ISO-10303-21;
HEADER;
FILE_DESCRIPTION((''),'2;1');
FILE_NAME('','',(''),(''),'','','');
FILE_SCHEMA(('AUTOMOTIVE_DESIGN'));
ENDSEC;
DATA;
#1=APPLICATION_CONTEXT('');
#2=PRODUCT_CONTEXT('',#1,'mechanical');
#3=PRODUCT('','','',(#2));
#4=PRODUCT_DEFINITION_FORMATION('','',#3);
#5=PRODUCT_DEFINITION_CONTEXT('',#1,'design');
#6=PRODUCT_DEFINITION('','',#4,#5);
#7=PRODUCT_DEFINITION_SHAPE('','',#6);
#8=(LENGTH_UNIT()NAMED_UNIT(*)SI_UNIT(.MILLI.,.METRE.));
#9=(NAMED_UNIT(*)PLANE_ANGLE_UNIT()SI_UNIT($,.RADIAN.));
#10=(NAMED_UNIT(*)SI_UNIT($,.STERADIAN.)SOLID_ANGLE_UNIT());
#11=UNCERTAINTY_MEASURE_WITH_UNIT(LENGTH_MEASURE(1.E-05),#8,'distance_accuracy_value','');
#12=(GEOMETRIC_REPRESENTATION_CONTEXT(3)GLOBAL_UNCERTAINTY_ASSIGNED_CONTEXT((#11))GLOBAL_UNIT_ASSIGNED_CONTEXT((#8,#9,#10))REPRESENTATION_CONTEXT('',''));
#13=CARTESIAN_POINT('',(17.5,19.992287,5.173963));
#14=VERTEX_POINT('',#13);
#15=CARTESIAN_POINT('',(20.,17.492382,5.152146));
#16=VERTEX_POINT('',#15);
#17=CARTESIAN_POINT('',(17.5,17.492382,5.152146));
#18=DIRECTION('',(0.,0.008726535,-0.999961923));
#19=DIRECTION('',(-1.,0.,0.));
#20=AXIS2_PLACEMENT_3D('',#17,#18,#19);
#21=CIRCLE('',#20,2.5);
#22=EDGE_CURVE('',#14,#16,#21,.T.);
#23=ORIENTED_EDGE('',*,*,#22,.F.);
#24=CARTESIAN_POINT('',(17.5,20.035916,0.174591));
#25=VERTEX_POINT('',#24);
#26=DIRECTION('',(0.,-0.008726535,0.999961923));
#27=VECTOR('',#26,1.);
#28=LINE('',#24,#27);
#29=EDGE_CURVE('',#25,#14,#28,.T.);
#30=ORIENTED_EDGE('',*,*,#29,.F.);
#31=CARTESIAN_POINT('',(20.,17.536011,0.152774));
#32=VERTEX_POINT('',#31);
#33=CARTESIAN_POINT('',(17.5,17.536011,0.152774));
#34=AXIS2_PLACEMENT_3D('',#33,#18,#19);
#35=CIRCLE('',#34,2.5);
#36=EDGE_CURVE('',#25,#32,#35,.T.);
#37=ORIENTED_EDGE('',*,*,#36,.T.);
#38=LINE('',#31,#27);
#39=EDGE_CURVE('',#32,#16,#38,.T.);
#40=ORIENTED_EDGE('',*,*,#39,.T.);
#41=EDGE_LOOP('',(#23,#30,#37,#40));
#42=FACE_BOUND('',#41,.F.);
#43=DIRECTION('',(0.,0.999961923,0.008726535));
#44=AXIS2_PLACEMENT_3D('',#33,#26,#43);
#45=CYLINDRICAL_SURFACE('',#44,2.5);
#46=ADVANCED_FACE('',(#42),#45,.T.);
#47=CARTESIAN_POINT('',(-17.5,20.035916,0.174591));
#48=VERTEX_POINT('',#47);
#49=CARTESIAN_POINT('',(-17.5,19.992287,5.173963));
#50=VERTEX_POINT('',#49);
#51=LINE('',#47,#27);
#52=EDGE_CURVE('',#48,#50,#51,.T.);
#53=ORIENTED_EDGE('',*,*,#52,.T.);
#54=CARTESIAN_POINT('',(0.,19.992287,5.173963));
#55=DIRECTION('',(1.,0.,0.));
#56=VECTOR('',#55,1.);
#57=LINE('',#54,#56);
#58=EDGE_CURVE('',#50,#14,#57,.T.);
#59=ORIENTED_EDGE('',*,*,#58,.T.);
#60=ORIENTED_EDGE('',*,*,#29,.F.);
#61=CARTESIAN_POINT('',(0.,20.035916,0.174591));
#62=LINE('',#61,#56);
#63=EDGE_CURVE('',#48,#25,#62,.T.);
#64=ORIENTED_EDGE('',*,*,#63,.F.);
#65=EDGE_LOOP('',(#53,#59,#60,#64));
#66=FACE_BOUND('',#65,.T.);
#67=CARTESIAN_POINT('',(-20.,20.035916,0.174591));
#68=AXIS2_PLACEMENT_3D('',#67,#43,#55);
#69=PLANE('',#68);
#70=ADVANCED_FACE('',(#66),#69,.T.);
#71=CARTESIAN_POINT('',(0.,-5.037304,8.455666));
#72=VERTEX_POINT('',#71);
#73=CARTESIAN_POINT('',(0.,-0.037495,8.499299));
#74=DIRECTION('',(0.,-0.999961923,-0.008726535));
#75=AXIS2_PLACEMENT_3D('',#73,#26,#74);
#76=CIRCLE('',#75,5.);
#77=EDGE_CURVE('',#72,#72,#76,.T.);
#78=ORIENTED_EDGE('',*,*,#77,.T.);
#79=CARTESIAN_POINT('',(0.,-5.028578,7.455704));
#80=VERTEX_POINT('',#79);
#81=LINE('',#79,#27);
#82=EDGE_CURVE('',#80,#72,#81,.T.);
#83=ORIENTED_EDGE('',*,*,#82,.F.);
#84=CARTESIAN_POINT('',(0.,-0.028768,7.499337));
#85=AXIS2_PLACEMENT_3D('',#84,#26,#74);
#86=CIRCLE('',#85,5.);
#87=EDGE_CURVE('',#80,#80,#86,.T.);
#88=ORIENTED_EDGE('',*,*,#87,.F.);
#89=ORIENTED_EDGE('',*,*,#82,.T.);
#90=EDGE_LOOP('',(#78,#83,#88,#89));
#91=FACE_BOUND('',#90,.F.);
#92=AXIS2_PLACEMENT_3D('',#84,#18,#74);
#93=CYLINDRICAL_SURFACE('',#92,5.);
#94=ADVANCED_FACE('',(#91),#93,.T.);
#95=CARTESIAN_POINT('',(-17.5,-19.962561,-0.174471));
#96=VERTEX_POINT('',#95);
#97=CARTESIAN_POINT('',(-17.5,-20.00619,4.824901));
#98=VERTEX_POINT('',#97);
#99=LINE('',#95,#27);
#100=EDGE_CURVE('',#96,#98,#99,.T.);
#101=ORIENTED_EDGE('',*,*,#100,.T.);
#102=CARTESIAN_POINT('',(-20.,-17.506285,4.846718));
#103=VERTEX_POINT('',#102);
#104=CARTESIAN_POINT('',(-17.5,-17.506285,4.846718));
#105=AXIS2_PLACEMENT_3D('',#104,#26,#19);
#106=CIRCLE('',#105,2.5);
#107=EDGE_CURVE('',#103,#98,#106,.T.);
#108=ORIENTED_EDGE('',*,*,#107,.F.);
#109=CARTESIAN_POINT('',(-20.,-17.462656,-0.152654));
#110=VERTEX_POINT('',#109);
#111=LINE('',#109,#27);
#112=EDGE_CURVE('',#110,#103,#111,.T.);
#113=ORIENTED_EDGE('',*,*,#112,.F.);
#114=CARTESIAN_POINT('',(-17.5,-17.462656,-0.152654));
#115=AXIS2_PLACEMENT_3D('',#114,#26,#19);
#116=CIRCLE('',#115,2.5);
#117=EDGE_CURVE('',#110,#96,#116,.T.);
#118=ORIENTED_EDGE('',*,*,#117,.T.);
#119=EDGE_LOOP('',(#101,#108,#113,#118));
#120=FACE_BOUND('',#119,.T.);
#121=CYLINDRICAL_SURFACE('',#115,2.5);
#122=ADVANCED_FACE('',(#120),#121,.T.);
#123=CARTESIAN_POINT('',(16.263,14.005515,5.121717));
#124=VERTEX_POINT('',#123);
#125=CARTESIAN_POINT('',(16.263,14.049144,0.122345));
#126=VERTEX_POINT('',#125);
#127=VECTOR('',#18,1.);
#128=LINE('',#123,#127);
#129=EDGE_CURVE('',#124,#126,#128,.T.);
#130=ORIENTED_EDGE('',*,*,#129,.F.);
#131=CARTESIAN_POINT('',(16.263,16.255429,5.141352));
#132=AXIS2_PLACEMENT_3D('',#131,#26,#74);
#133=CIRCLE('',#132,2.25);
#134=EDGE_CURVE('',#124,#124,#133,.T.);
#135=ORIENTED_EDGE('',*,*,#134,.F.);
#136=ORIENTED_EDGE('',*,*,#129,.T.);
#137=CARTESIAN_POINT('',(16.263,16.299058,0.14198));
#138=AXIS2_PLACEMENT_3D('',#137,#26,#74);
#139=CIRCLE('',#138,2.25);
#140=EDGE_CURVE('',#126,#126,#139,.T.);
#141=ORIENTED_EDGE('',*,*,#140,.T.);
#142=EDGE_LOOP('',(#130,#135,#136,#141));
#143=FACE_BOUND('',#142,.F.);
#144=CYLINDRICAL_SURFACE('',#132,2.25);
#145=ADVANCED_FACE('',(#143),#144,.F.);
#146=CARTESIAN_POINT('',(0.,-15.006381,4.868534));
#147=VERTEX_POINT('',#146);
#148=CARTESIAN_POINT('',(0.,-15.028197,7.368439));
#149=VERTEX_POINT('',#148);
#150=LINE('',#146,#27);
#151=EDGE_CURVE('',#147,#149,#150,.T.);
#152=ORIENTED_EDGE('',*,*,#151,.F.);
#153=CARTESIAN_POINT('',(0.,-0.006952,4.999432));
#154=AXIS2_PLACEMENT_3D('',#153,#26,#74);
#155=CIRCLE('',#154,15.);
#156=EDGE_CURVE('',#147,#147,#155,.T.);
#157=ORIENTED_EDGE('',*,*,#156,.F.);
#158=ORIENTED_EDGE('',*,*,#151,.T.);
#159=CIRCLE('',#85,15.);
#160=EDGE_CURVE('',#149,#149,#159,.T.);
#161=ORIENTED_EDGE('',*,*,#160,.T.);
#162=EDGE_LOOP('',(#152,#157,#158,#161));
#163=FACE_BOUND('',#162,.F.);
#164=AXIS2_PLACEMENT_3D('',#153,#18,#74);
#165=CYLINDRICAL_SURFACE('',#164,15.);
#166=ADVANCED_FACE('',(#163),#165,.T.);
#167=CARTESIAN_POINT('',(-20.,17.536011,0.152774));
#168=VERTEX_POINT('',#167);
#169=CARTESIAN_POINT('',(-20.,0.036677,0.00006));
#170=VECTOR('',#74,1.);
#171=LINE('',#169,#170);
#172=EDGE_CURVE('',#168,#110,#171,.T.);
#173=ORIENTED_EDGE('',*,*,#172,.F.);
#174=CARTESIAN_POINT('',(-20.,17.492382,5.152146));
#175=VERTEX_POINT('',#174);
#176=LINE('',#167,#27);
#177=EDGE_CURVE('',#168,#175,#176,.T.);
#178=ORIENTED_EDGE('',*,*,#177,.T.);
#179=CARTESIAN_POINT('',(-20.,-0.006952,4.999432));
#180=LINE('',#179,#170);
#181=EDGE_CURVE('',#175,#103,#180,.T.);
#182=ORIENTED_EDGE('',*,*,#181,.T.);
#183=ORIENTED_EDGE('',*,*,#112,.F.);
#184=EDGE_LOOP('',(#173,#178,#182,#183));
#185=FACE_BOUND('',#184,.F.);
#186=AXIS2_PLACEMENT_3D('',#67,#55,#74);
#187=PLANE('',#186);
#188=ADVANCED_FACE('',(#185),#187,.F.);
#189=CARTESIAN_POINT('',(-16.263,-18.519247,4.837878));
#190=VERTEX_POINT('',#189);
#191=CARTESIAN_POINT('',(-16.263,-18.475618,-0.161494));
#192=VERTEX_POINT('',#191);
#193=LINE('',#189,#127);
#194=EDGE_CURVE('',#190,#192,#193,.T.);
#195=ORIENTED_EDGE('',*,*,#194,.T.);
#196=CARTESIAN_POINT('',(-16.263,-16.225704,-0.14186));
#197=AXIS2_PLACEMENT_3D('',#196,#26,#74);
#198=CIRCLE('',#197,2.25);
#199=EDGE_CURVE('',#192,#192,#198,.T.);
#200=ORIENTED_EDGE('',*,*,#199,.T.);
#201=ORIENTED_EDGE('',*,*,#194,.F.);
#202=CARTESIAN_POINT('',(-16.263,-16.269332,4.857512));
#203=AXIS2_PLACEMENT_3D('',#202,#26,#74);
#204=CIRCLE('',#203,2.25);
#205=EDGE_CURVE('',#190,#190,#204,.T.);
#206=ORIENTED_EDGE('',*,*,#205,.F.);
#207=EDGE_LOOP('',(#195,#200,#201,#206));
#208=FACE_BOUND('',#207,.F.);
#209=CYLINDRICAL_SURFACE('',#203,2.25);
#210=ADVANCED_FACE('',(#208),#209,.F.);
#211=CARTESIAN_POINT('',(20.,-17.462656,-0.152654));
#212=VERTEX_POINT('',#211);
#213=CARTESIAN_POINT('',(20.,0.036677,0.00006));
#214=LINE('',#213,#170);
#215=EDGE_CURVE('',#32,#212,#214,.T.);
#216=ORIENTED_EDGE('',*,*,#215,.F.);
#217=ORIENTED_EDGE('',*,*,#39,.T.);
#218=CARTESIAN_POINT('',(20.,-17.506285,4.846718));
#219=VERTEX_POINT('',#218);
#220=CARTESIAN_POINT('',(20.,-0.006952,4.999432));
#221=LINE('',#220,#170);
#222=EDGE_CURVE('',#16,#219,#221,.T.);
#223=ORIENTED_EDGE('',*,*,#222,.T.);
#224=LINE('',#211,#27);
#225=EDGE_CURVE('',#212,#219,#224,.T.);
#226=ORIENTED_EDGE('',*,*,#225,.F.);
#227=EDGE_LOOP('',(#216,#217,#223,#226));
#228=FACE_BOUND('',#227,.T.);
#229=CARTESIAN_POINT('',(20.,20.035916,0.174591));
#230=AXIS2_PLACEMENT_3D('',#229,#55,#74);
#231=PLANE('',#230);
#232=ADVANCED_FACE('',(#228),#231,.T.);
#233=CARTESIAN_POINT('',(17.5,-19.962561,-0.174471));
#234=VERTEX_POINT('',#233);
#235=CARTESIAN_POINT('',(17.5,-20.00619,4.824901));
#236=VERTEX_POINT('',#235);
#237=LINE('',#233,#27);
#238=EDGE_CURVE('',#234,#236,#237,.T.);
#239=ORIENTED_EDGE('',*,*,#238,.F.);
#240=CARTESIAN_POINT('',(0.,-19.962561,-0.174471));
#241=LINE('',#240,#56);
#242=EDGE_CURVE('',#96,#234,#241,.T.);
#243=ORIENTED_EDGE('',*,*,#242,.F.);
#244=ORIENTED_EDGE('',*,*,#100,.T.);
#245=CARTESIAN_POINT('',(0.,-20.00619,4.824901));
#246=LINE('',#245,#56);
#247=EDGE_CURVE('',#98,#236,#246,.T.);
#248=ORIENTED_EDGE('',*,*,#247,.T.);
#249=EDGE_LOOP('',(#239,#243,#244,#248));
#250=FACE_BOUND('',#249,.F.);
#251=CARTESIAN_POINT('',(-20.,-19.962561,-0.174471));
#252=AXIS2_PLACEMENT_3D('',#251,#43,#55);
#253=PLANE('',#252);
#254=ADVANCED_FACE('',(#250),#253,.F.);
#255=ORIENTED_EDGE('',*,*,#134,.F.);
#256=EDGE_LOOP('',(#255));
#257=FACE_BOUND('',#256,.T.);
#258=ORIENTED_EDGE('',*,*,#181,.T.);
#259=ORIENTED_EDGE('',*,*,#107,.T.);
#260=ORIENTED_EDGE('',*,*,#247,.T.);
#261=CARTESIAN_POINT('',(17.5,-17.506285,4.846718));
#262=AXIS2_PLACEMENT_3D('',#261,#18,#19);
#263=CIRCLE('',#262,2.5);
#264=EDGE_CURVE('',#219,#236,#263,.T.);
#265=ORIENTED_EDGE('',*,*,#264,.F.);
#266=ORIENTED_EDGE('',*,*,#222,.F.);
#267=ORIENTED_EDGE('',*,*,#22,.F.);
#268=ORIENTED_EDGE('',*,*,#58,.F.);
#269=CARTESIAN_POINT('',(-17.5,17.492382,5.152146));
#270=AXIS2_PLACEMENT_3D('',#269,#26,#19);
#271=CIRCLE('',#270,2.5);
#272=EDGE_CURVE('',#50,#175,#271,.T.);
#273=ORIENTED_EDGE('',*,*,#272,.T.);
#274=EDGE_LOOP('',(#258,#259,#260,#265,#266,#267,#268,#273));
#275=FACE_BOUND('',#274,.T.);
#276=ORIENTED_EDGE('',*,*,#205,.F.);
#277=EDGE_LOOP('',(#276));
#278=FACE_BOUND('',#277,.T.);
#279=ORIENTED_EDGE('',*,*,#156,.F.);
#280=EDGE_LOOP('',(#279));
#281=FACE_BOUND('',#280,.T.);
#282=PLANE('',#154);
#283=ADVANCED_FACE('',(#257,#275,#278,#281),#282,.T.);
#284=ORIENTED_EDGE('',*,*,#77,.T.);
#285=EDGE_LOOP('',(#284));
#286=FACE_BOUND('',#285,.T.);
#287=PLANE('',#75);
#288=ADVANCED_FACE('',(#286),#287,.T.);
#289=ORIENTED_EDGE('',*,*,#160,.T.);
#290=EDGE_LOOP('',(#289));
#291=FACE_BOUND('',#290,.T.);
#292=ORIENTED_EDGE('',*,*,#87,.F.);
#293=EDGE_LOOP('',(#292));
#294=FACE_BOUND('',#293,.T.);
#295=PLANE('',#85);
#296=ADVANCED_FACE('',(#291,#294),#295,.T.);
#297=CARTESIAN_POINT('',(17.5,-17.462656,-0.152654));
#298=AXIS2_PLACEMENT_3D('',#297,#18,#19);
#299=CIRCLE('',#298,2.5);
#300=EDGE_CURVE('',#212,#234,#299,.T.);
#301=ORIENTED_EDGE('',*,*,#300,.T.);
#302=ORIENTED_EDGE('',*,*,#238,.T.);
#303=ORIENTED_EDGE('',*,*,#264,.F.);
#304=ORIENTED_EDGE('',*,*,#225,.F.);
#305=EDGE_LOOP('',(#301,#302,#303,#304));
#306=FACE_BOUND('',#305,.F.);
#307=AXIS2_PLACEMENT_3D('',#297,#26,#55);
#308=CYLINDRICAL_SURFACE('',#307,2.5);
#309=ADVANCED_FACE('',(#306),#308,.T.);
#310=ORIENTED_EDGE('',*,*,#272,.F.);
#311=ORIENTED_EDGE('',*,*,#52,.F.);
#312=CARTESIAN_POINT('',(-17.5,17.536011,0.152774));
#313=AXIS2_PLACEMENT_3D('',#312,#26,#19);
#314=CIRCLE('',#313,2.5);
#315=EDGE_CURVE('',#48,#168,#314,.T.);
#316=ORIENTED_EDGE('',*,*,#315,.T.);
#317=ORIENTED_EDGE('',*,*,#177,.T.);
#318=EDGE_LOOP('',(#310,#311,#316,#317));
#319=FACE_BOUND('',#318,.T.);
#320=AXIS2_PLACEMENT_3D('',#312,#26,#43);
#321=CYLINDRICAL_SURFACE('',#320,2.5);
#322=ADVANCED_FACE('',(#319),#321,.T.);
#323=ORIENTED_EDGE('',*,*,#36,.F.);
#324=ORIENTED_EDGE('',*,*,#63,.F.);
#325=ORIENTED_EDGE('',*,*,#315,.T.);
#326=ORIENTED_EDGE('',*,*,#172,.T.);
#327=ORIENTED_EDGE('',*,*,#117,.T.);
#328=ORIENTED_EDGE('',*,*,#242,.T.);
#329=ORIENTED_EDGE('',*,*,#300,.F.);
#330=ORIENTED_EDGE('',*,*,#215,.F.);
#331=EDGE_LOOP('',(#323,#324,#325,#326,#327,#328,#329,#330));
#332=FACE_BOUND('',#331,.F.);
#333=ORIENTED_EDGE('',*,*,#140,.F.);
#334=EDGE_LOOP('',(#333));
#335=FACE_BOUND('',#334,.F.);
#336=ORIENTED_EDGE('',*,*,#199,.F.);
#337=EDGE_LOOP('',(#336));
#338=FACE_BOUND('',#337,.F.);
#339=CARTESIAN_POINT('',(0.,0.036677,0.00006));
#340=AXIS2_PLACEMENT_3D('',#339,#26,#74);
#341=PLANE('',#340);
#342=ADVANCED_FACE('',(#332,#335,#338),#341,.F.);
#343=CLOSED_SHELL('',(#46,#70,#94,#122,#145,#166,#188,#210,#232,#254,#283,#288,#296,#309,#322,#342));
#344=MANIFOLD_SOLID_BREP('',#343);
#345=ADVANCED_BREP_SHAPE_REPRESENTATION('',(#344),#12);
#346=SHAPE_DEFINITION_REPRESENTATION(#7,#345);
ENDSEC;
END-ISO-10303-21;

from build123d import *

# Parameters (mm, degrees)
BOSS_EXTRUDE2_DEPTH      = 4.999462447
BOSS_EXTRUDE2_DEPTH_BACK = 0.0001
SKETCH4_W                = 40
SKETCH4_H                = 40
SKETCH6_R                = 15
BOSS_EXTRUDE3_DEPTH      = 2.5
SKETCH7_R                = 5
BOSS_EXTRUDE4_DEPTH      = 1
SKETCH9_R                = 2.25
CUT_EXTRUDE1_DEPTH       = 5
SKETCH10_R               = 2.25
CUT_EXTRUDE2_DEPTH       = 5
FILLET2_R                = 2.5
BODY_MOVE_COPY2_ANGLE    = 90.001090824


with BuildPart() as part:
    # Sketch4 → Boss-Extrude2 (new, two sides: drawn at the far end of the back side and taken through both)
    with BuildSketch(Plane.XY.offset(-BOSS_EXTRUDE2_DEPTH_BACK)):
        Rectangle(SKETCH4_W, SKETCH4_H)
    extrude(amount=BOSS_EXTRUDE2_DEPTH + BOSS_EXTRUDE2_DEPTH_BACK)

    # Sketch6 → Boss-Extrude3 (add)
    with BuildSketch(Plane.XY.offset(4.999462447)):
        Circle(SKETCH6_R)
    extrude(amount=BOSS_EXTRUDE3_DEPTH)

    # Sketch7 → Boss-Extrude4 (add)
    with BuildSketch(Plane.XY.offset(7.499462447)):
        Circle(SKETCH7_R)
    extrude(amount=BOSS_EXTRUDE4_DEPTH)

    # Sketch9 → Cut-Extrude1 (cut)
    with BuildSketch(Plane.XY.offset(4.999462447)):
        with Locations((-16.263, 16.263)):
            Circle(SKETCH9_R)
    extrude(amount=-CUT_EXTRUDE1_DEPTH, mode=Mode.SUBTRACT)

    # Sketch10 → Cut-Extrude2 (cut)
    with BuildSketch(Plane.XY.offset(4.999462447)):
        with Locations((16.263, -16.263)):
            Circle(SKETCH10_R)
    extrude(amount=-CUT_EXTRUDE2_DEPTH, mode=Mode.SUBTRACT)

    # Fillet2
    fillet2_edges = [part.edges().sort_by_distance(p)[0] for p in [
        (20, -20, 2.499681224),
        (-20, -20, 2.499681224),
        (-20, 20, 2.499681224),
        (20, 20, 2.499681224),
    ]]
    fillet(fillet2_edges, radius=FILLET2_R)


with BuildPart() as part_1:
    # Body-Move/Copy2: moved
    add(part.part.moved(Location((0, 0, 0))).rotate(Axis((0.018337793, 0.018337793, 0.000160028), (0.004363267749989983, 0.004363267749984885, -0.9999809617133137)), BODY_MOVE_COPY2_ANGLE))


solid = part_1.part
